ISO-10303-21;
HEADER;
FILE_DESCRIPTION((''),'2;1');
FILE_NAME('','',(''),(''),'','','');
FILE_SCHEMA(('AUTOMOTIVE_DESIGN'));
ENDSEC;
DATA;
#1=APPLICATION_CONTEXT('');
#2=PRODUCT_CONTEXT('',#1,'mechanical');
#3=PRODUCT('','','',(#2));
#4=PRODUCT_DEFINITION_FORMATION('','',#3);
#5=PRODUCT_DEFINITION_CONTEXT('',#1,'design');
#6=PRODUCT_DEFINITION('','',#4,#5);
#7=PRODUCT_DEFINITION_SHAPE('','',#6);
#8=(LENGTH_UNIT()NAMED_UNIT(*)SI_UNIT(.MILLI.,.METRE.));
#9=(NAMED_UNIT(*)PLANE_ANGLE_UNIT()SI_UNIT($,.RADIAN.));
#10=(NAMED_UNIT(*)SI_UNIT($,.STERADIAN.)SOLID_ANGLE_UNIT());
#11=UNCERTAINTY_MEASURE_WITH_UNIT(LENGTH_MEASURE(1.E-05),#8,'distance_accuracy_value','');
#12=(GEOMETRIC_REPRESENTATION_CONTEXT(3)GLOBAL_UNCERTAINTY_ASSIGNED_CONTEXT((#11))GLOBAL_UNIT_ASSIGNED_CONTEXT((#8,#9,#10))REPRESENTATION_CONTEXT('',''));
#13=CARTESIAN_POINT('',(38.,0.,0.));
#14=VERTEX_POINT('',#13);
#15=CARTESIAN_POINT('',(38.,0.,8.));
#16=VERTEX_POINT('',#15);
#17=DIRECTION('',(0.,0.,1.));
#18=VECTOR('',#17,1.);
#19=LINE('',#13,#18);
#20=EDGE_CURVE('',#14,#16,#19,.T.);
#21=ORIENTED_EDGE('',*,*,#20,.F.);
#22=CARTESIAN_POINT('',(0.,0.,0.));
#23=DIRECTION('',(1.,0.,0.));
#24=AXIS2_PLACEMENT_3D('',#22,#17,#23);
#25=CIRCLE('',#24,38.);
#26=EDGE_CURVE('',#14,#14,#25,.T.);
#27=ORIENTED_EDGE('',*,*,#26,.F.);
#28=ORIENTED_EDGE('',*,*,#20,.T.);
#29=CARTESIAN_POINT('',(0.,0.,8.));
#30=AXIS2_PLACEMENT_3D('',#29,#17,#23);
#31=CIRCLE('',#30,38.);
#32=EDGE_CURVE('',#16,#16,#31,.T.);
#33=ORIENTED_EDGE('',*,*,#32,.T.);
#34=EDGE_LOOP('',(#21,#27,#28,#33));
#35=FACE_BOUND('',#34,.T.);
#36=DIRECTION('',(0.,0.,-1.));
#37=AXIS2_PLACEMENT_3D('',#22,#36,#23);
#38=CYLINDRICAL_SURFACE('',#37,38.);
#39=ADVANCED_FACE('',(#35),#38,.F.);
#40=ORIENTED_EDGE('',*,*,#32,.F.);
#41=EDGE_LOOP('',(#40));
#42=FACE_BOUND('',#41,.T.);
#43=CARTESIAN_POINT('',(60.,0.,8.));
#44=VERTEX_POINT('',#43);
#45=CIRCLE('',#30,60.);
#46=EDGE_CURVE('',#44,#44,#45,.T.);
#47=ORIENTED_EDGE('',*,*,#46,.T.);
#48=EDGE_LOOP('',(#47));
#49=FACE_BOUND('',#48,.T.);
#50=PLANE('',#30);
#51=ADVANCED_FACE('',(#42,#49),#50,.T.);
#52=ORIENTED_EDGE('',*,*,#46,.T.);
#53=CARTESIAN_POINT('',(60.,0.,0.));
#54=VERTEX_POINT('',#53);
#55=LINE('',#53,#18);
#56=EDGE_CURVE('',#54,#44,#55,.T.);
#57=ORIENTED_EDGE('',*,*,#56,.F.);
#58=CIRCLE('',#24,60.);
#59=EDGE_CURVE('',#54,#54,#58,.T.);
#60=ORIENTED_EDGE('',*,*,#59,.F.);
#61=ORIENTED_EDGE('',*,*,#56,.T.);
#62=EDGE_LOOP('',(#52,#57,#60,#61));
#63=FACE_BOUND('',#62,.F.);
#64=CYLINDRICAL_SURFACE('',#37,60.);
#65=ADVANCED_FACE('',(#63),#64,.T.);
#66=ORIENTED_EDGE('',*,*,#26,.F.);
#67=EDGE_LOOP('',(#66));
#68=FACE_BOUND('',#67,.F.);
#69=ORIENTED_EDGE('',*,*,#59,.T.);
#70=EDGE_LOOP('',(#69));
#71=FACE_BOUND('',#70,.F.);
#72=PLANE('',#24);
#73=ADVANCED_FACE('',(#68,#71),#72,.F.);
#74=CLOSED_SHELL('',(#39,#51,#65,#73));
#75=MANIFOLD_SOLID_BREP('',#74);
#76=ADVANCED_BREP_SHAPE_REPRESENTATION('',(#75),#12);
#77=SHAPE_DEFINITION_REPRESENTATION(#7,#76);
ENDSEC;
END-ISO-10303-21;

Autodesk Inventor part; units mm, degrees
ref_plane "YZ Plane" through (0, 0, 0) normal (1, 0, 0) x (0, 1, 0)
ref_plane "XZ Plane" through (0, 0, 0) normal (0, 1, 0) x (-1, 0, 0)
ref_plane "XY Plane" through (0, 0, 0) normal (0, 0, 1) x (1, 0, 0)
sketch "Sketch2" plane through (0, 0, 0) normal (0, 0, 1) x (1, 0, 0)
  circle A0 centre (0, 0) radius 38
  circle A1 centre (0, 0) radius 60
  dimension "d25" = 76
  dimension "d27" = 120
extrude "Plate2" add sketch "Sketch2" along normal blind 8
equation "\"d14\" = Thickness"
equation "\"BendReliefWidth\" = Thickness"
equation "\"BendReliefDepth\" = 0.5 * Thickness"
equation "\"CornerReliefSize\" = 4 * Thickness"
equation "\"MinimumRemnant\" = 2 * Thickness"
equation "\"TransitionRadius\" = BendRadius"
equation "\"JacobiRadiusSize\" = BendRadius"
equation "\"GapSize\" = Thickness"
equation "\"Thickness\" = 8"
equation "\"BendRadius\" = 6"
properties part number "TZS 1232 FDS free flange DN90"
